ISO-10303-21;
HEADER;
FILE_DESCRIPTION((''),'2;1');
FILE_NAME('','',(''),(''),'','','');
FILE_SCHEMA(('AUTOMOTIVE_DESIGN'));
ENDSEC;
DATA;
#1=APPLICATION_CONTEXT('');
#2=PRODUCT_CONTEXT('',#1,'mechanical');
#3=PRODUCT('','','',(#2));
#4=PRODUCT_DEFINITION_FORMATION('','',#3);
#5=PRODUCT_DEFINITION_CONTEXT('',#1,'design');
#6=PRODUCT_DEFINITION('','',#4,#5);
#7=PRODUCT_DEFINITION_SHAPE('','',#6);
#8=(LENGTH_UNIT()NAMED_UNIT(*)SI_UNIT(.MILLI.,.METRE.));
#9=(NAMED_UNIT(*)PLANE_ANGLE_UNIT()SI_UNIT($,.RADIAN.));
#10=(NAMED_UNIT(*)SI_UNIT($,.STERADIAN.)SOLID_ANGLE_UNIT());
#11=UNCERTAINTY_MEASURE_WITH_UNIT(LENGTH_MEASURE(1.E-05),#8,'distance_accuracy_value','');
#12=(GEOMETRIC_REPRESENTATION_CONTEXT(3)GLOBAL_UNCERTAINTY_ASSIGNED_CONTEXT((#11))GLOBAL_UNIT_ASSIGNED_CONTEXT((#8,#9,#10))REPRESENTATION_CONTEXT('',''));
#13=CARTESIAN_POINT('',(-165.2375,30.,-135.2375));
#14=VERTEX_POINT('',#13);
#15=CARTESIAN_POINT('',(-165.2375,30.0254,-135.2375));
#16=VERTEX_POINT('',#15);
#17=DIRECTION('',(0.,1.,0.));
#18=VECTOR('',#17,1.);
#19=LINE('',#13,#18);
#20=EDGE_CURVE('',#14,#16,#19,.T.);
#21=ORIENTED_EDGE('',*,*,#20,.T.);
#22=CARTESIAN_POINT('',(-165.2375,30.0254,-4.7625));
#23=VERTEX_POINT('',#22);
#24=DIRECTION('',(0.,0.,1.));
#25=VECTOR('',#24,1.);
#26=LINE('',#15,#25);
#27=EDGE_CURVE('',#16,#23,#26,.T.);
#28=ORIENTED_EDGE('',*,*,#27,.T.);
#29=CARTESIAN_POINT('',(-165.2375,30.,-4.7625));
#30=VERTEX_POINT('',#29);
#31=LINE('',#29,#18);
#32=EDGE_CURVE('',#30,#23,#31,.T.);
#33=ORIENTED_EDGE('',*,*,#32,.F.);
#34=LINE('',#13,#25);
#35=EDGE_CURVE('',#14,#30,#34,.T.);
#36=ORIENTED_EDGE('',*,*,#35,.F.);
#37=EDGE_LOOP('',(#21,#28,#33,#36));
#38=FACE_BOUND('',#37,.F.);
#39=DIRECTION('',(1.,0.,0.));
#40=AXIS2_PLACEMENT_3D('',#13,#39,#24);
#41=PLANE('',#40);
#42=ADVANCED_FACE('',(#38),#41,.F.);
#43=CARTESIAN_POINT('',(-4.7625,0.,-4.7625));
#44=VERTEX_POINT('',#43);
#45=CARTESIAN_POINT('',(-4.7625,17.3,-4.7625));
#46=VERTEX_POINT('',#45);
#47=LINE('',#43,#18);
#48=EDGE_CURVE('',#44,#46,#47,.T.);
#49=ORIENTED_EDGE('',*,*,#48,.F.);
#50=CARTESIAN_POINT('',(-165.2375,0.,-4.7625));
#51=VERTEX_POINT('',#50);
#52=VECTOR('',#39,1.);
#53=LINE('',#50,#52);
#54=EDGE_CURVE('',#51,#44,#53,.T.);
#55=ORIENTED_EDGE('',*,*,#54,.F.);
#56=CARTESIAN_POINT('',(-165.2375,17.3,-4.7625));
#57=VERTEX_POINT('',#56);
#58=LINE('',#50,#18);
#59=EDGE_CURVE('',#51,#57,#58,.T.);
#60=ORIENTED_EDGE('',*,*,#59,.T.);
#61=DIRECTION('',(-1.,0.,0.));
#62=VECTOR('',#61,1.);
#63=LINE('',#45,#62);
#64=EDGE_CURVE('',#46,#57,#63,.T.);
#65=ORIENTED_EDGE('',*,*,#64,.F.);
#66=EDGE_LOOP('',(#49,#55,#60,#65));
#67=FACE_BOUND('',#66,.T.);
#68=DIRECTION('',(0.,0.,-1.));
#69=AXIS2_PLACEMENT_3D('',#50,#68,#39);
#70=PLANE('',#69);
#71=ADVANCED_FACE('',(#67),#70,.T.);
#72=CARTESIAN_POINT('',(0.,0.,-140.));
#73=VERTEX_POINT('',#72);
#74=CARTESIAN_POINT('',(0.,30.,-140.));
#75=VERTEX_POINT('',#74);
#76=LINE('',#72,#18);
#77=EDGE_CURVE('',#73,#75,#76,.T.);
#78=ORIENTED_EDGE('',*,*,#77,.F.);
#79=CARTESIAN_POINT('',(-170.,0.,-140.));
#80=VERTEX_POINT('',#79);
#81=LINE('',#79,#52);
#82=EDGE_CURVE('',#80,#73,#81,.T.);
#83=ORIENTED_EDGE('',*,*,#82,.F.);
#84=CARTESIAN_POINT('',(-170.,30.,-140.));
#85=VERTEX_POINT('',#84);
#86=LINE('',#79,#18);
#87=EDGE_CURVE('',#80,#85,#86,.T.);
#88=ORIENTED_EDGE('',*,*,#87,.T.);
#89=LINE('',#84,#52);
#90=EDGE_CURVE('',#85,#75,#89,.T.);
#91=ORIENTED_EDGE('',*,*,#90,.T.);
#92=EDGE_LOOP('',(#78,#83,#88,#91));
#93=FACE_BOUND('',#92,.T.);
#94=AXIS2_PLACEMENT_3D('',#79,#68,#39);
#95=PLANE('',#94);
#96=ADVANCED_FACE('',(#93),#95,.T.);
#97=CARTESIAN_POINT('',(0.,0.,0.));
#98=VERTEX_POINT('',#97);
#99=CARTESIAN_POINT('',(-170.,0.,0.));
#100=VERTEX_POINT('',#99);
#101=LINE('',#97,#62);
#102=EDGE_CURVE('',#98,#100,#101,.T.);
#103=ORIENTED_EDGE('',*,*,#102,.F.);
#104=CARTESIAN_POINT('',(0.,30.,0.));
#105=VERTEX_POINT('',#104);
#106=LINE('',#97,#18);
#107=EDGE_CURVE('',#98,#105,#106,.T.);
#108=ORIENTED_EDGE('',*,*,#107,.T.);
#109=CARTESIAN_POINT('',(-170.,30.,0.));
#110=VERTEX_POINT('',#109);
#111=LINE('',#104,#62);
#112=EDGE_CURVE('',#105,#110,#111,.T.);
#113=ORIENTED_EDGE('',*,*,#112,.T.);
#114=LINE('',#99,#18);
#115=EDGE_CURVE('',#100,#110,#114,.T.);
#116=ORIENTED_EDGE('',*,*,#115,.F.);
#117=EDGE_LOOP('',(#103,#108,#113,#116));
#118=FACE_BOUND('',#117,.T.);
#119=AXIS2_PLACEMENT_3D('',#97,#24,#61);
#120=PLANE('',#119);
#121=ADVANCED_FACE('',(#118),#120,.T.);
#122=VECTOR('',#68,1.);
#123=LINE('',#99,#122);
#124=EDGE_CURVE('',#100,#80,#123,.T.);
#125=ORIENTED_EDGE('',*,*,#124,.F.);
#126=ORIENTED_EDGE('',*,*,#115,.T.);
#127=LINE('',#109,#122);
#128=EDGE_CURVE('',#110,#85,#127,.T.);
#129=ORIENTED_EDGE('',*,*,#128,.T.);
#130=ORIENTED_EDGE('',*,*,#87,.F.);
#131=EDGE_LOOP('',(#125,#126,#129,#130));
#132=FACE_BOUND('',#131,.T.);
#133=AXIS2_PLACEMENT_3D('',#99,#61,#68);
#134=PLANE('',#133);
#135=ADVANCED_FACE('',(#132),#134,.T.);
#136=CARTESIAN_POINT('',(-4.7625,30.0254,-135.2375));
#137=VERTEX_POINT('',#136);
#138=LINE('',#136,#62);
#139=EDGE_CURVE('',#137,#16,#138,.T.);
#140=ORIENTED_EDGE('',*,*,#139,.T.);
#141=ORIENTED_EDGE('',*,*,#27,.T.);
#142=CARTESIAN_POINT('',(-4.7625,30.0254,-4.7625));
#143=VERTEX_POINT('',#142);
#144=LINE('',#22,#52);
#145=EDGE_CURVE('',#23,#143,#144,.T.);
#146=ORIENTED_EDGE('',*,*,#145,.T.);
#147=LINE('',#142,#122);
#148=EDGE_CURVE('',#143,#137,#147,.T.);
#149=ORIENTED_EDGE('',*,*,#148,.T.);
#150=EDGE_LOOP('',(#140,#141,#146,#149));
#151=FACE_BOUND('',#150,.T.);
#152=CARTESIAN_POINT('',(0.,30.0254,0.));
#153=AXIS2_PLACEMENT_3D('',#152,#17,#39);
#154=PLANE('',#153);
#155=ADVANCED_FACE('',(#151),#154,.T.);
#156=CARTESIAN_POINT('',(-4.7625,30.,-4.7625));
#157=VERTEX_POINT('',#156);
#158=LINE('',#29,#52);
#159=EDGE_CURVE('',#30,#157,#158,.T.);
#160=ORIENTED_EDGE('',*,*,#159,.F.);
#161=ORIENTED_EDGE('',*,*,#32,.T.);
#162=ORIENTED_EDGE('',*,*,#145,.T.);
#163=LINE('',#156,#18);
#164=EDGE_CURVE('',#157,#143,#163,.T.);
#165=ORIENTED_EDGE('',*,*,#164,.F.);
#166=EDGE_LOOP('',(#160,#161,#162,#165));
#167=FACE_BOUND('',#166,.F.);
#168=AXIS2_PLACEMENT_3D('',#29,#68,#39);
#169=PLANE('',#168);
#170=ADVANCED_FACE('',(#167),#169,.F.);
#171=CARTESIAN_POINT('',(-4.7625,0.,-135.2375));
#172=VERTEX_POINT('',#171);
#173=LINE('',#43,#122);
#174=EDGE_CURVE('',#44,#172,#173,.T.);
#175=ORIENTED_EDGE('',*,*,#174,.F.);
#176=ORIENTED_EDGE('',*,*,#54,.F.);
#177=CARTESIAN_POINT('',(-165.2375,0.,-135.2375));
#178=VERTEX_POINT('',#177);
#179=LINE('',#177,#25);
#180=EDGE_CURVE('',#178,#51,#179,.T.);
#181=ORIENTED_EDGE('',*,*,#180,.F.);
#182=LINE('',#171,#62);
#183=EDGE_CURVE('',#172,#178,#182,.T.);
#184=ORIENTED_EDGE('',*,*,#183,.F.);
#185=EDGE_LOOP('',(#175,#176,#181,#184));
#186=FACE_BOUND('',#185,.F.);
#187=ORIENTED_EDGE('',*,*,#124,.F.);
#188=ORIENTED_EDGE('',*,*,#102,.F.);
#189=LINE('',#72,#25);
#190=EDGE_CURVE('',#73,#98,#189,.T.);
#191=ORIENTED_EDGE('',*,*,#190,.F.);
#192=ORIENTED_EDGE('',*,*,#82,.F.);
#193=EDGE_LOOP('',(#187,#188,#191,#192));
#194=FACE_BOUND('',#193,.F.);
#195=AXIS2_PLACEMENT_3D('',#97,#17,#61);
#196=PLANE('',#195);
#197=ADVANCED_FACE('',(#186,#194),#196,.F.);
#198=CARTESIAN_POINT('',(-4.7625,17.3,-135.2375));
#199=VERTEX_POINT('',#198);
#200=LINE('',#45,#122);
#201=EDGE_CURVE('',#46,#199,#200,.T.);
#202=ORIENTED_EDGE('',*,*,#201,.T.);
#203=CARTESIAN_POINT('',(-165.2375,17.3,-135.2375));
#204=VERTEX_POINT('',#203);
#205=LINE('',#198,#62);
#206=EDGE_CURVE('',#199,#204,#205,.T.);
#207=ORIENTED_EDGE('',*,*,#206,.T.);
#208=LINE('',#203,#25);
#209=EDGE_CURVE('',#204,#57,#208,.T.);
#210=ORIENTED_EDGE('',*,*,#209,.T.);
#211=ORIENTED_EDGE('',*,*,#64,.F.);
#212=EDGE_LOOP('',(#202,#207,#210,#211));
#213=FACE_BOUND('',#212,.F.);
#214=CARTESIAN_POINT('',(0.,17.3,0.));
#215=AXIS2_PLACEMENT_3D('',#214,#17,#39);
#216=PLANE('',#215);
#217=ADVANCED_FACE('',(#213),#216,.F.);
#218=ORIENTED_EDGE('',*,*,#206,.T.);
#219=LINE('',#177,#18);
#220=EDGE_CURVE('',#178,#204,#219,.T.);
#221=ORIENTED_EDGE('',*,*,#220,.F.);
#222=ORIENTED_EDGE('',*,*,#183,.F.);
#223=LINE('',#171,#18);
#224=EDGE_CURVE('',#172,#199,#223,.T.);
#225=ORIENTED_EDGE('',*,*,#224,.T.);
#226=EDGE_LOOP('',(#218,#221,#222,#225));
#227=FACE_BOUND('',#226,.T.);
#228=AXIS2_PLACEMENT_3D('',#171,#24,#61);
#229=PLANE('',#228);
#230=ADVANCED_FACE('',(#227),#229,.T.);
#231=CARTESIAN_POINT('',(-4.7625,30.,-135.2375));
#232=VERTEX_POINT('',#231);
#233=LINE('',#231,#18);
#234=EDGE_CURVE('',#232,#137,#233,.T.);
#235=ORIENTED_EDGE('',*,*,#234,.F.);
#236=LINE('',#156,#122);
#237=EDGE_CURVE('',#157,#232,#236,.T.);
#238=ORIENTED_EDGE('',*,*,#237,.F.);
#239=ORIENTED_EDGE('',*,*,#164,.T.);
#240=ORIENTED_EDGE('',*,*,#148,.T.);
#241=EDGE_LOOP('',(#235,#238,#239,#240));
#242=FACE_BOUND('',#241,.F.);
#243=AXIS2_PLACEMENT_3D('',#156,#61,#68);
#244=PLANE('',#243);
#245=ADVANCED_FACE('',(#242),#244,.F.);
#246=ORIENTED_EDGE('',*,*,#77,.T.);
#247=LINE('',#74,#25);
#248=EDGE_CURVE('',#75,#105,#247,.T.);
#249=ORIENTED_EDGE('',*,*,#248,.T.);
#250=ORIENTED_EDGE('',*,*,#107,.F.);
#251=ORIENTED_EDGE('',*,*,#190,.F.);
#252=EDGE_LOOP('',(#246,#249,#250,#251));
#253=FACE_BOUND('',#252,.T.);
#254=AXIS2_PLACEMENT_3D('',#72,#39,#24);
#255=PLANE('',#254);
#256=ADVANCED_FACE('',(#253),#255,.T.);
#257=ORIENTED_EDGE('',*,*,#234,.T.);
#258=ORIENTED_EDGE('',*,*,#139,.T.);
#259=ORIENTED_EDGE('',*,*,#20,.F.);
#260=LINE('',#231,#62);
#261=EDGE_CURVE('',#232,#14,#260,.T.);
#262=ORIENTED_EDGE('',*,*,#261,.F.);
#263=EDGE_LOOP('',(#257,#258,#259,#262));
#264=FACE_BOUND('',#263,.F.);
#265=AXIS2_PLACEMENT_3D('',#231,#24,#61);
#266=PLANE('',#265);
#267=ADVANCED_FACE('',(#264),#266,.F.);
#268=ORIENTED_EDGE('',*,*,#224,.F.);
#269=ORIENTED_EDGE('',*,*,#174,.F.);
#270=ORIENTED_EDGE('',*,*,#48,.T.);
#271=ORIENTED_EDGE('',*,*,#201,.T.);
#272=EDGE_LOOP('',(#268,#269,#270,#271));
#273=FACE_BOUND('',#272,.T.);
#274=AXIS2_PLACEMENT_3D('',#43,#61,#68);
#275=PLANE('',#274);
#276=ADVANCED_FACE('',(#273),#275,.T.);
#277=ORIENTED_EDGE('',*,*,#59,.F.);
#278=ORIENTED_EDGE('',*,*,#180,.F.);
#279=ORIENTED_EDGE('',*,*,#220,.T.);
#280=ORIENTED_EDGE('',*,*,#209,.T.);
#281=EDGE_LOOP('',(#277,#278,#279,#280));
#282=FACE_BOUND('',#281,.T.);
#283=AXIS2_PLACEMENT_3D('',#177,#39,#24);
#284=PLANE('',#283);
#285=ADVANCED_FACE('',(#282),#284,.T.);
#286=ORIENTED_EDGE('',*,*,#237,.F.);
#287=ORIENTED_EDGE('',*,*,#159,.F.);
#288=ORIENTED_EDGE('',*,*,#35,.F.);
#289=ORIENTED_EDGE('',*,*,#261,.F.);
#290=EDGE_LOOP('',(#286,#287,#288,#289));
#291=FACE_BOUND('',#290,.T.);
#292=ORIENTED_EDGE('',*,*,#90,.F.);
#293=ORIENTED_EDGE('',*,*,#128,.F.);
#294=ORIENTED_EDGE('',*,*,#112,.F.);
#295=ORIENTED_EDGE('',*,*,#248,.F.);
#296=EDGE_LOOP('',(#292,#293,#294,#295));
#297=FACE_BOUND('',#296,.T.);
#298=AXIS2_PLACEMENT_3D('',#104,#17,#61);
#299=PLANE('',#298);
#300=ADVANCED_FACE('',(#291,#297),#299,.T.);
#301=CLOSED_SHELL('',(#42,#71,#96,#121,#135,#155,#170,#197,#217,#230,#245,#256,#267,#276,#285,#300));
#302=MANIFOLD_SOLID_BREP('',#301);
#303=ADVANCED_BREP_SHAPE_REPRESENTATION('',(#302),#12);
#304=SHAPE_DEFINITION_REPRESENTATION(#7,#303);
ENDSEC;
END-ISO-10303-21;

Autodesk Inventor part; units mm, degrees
ref_plane "YZ Plane" through (0, 0, 0) normal (1, 0, 0) x (0, 1, 0)
ref_plane "XZ Plane" through (0, 0, 0) normal (0, 1, 0) x (-1, 0, 0)
ref_plane "XY Plane" through (0, 0, 0) normal (0, 0, 1) x (1, 0, 0)
sketch "Sketch1" plane through (0, 0, 0) normal (0, 1, 0) x (-1, 0, 0)
  line L0 (0, 0) -> (170, 0)
  line L1 (170, 0) -> (170, -140)
  line L2 (170, -140) -> (0, -140)
  line L3 (0, -140) -> (0, 0)
  line L4 (165.2375, -4.7625) -> (4.7625, -4.7625)
  line L5 (4.7625, -4.7625) -> (4.7625, -135.2375)
  line L6 (4.7625, -135.2375) -> (165.2375, -135.2375)
  line L7 (165.2375, -135.2375) -> (165.2375, -4.7625)
  dimension "d0" = 170
  dimension "d1" = 140
  dimension "d2" = 4.7625
  dimension "d3" = 4.7625
  dimension "d4" = 4.7625
  dimension "d5" = 4.7625
  dimension "d6" = 4.7625
extrude "Extrusion1" add sketch "Sketch1" along normal blind 30
sketch "Sketch2" plane through (0, 30, 0) normal (0, 1, 0) x (1, 0, 0)
  line L0 (-4.7625, 4.7625) -> (-165.2375, 4.7625) projected
  line L1 (-165.2375, 4.7625) -> (-4.7625, 4.7625)
  line L2 (-4.7625, 4.7625) -> (-4.7625, 135.2375)
  line L3 (-4.7625, 135.2375) -> (-165.2375, 135.2375)
  line L4 (-165.2375, 135.2375) -> (-165.2375, 4.7625)
  point P0 (0, 0)
extrude "Extrusion2" add sketch "Sketch2" against normal blind 12.7
sketch "Sketch3" plane through (0, 30, 0) normal (0, 1, 0) x (1, 0, 0)
  line L0 (-165.2375, 135.2375) -> (-165.2375, 4.7625) projected
  line L1 (-4.7625, 4.7625) -> (-4.7625, 135.2375) projected
  line L2 (-165.2375, 4.7625) -> (-4.7625, 4.7625)
  line L3 (-4.7625, 4.7625) -> (-4.7625, 135.2375)
  line L4 (-4.7625, 135.2375) -> (-165.2375, 135.2375)
  line L5 (-165.2375, 135.2375) -> (-165.2375, 4.7625)
  point P0 (0, 0)
extrude "Extrusion3" add sketch "Sketch3" along normal blind 0.0254
properties part number "OpticalDeviceLookThroughPart" material "Glass"
